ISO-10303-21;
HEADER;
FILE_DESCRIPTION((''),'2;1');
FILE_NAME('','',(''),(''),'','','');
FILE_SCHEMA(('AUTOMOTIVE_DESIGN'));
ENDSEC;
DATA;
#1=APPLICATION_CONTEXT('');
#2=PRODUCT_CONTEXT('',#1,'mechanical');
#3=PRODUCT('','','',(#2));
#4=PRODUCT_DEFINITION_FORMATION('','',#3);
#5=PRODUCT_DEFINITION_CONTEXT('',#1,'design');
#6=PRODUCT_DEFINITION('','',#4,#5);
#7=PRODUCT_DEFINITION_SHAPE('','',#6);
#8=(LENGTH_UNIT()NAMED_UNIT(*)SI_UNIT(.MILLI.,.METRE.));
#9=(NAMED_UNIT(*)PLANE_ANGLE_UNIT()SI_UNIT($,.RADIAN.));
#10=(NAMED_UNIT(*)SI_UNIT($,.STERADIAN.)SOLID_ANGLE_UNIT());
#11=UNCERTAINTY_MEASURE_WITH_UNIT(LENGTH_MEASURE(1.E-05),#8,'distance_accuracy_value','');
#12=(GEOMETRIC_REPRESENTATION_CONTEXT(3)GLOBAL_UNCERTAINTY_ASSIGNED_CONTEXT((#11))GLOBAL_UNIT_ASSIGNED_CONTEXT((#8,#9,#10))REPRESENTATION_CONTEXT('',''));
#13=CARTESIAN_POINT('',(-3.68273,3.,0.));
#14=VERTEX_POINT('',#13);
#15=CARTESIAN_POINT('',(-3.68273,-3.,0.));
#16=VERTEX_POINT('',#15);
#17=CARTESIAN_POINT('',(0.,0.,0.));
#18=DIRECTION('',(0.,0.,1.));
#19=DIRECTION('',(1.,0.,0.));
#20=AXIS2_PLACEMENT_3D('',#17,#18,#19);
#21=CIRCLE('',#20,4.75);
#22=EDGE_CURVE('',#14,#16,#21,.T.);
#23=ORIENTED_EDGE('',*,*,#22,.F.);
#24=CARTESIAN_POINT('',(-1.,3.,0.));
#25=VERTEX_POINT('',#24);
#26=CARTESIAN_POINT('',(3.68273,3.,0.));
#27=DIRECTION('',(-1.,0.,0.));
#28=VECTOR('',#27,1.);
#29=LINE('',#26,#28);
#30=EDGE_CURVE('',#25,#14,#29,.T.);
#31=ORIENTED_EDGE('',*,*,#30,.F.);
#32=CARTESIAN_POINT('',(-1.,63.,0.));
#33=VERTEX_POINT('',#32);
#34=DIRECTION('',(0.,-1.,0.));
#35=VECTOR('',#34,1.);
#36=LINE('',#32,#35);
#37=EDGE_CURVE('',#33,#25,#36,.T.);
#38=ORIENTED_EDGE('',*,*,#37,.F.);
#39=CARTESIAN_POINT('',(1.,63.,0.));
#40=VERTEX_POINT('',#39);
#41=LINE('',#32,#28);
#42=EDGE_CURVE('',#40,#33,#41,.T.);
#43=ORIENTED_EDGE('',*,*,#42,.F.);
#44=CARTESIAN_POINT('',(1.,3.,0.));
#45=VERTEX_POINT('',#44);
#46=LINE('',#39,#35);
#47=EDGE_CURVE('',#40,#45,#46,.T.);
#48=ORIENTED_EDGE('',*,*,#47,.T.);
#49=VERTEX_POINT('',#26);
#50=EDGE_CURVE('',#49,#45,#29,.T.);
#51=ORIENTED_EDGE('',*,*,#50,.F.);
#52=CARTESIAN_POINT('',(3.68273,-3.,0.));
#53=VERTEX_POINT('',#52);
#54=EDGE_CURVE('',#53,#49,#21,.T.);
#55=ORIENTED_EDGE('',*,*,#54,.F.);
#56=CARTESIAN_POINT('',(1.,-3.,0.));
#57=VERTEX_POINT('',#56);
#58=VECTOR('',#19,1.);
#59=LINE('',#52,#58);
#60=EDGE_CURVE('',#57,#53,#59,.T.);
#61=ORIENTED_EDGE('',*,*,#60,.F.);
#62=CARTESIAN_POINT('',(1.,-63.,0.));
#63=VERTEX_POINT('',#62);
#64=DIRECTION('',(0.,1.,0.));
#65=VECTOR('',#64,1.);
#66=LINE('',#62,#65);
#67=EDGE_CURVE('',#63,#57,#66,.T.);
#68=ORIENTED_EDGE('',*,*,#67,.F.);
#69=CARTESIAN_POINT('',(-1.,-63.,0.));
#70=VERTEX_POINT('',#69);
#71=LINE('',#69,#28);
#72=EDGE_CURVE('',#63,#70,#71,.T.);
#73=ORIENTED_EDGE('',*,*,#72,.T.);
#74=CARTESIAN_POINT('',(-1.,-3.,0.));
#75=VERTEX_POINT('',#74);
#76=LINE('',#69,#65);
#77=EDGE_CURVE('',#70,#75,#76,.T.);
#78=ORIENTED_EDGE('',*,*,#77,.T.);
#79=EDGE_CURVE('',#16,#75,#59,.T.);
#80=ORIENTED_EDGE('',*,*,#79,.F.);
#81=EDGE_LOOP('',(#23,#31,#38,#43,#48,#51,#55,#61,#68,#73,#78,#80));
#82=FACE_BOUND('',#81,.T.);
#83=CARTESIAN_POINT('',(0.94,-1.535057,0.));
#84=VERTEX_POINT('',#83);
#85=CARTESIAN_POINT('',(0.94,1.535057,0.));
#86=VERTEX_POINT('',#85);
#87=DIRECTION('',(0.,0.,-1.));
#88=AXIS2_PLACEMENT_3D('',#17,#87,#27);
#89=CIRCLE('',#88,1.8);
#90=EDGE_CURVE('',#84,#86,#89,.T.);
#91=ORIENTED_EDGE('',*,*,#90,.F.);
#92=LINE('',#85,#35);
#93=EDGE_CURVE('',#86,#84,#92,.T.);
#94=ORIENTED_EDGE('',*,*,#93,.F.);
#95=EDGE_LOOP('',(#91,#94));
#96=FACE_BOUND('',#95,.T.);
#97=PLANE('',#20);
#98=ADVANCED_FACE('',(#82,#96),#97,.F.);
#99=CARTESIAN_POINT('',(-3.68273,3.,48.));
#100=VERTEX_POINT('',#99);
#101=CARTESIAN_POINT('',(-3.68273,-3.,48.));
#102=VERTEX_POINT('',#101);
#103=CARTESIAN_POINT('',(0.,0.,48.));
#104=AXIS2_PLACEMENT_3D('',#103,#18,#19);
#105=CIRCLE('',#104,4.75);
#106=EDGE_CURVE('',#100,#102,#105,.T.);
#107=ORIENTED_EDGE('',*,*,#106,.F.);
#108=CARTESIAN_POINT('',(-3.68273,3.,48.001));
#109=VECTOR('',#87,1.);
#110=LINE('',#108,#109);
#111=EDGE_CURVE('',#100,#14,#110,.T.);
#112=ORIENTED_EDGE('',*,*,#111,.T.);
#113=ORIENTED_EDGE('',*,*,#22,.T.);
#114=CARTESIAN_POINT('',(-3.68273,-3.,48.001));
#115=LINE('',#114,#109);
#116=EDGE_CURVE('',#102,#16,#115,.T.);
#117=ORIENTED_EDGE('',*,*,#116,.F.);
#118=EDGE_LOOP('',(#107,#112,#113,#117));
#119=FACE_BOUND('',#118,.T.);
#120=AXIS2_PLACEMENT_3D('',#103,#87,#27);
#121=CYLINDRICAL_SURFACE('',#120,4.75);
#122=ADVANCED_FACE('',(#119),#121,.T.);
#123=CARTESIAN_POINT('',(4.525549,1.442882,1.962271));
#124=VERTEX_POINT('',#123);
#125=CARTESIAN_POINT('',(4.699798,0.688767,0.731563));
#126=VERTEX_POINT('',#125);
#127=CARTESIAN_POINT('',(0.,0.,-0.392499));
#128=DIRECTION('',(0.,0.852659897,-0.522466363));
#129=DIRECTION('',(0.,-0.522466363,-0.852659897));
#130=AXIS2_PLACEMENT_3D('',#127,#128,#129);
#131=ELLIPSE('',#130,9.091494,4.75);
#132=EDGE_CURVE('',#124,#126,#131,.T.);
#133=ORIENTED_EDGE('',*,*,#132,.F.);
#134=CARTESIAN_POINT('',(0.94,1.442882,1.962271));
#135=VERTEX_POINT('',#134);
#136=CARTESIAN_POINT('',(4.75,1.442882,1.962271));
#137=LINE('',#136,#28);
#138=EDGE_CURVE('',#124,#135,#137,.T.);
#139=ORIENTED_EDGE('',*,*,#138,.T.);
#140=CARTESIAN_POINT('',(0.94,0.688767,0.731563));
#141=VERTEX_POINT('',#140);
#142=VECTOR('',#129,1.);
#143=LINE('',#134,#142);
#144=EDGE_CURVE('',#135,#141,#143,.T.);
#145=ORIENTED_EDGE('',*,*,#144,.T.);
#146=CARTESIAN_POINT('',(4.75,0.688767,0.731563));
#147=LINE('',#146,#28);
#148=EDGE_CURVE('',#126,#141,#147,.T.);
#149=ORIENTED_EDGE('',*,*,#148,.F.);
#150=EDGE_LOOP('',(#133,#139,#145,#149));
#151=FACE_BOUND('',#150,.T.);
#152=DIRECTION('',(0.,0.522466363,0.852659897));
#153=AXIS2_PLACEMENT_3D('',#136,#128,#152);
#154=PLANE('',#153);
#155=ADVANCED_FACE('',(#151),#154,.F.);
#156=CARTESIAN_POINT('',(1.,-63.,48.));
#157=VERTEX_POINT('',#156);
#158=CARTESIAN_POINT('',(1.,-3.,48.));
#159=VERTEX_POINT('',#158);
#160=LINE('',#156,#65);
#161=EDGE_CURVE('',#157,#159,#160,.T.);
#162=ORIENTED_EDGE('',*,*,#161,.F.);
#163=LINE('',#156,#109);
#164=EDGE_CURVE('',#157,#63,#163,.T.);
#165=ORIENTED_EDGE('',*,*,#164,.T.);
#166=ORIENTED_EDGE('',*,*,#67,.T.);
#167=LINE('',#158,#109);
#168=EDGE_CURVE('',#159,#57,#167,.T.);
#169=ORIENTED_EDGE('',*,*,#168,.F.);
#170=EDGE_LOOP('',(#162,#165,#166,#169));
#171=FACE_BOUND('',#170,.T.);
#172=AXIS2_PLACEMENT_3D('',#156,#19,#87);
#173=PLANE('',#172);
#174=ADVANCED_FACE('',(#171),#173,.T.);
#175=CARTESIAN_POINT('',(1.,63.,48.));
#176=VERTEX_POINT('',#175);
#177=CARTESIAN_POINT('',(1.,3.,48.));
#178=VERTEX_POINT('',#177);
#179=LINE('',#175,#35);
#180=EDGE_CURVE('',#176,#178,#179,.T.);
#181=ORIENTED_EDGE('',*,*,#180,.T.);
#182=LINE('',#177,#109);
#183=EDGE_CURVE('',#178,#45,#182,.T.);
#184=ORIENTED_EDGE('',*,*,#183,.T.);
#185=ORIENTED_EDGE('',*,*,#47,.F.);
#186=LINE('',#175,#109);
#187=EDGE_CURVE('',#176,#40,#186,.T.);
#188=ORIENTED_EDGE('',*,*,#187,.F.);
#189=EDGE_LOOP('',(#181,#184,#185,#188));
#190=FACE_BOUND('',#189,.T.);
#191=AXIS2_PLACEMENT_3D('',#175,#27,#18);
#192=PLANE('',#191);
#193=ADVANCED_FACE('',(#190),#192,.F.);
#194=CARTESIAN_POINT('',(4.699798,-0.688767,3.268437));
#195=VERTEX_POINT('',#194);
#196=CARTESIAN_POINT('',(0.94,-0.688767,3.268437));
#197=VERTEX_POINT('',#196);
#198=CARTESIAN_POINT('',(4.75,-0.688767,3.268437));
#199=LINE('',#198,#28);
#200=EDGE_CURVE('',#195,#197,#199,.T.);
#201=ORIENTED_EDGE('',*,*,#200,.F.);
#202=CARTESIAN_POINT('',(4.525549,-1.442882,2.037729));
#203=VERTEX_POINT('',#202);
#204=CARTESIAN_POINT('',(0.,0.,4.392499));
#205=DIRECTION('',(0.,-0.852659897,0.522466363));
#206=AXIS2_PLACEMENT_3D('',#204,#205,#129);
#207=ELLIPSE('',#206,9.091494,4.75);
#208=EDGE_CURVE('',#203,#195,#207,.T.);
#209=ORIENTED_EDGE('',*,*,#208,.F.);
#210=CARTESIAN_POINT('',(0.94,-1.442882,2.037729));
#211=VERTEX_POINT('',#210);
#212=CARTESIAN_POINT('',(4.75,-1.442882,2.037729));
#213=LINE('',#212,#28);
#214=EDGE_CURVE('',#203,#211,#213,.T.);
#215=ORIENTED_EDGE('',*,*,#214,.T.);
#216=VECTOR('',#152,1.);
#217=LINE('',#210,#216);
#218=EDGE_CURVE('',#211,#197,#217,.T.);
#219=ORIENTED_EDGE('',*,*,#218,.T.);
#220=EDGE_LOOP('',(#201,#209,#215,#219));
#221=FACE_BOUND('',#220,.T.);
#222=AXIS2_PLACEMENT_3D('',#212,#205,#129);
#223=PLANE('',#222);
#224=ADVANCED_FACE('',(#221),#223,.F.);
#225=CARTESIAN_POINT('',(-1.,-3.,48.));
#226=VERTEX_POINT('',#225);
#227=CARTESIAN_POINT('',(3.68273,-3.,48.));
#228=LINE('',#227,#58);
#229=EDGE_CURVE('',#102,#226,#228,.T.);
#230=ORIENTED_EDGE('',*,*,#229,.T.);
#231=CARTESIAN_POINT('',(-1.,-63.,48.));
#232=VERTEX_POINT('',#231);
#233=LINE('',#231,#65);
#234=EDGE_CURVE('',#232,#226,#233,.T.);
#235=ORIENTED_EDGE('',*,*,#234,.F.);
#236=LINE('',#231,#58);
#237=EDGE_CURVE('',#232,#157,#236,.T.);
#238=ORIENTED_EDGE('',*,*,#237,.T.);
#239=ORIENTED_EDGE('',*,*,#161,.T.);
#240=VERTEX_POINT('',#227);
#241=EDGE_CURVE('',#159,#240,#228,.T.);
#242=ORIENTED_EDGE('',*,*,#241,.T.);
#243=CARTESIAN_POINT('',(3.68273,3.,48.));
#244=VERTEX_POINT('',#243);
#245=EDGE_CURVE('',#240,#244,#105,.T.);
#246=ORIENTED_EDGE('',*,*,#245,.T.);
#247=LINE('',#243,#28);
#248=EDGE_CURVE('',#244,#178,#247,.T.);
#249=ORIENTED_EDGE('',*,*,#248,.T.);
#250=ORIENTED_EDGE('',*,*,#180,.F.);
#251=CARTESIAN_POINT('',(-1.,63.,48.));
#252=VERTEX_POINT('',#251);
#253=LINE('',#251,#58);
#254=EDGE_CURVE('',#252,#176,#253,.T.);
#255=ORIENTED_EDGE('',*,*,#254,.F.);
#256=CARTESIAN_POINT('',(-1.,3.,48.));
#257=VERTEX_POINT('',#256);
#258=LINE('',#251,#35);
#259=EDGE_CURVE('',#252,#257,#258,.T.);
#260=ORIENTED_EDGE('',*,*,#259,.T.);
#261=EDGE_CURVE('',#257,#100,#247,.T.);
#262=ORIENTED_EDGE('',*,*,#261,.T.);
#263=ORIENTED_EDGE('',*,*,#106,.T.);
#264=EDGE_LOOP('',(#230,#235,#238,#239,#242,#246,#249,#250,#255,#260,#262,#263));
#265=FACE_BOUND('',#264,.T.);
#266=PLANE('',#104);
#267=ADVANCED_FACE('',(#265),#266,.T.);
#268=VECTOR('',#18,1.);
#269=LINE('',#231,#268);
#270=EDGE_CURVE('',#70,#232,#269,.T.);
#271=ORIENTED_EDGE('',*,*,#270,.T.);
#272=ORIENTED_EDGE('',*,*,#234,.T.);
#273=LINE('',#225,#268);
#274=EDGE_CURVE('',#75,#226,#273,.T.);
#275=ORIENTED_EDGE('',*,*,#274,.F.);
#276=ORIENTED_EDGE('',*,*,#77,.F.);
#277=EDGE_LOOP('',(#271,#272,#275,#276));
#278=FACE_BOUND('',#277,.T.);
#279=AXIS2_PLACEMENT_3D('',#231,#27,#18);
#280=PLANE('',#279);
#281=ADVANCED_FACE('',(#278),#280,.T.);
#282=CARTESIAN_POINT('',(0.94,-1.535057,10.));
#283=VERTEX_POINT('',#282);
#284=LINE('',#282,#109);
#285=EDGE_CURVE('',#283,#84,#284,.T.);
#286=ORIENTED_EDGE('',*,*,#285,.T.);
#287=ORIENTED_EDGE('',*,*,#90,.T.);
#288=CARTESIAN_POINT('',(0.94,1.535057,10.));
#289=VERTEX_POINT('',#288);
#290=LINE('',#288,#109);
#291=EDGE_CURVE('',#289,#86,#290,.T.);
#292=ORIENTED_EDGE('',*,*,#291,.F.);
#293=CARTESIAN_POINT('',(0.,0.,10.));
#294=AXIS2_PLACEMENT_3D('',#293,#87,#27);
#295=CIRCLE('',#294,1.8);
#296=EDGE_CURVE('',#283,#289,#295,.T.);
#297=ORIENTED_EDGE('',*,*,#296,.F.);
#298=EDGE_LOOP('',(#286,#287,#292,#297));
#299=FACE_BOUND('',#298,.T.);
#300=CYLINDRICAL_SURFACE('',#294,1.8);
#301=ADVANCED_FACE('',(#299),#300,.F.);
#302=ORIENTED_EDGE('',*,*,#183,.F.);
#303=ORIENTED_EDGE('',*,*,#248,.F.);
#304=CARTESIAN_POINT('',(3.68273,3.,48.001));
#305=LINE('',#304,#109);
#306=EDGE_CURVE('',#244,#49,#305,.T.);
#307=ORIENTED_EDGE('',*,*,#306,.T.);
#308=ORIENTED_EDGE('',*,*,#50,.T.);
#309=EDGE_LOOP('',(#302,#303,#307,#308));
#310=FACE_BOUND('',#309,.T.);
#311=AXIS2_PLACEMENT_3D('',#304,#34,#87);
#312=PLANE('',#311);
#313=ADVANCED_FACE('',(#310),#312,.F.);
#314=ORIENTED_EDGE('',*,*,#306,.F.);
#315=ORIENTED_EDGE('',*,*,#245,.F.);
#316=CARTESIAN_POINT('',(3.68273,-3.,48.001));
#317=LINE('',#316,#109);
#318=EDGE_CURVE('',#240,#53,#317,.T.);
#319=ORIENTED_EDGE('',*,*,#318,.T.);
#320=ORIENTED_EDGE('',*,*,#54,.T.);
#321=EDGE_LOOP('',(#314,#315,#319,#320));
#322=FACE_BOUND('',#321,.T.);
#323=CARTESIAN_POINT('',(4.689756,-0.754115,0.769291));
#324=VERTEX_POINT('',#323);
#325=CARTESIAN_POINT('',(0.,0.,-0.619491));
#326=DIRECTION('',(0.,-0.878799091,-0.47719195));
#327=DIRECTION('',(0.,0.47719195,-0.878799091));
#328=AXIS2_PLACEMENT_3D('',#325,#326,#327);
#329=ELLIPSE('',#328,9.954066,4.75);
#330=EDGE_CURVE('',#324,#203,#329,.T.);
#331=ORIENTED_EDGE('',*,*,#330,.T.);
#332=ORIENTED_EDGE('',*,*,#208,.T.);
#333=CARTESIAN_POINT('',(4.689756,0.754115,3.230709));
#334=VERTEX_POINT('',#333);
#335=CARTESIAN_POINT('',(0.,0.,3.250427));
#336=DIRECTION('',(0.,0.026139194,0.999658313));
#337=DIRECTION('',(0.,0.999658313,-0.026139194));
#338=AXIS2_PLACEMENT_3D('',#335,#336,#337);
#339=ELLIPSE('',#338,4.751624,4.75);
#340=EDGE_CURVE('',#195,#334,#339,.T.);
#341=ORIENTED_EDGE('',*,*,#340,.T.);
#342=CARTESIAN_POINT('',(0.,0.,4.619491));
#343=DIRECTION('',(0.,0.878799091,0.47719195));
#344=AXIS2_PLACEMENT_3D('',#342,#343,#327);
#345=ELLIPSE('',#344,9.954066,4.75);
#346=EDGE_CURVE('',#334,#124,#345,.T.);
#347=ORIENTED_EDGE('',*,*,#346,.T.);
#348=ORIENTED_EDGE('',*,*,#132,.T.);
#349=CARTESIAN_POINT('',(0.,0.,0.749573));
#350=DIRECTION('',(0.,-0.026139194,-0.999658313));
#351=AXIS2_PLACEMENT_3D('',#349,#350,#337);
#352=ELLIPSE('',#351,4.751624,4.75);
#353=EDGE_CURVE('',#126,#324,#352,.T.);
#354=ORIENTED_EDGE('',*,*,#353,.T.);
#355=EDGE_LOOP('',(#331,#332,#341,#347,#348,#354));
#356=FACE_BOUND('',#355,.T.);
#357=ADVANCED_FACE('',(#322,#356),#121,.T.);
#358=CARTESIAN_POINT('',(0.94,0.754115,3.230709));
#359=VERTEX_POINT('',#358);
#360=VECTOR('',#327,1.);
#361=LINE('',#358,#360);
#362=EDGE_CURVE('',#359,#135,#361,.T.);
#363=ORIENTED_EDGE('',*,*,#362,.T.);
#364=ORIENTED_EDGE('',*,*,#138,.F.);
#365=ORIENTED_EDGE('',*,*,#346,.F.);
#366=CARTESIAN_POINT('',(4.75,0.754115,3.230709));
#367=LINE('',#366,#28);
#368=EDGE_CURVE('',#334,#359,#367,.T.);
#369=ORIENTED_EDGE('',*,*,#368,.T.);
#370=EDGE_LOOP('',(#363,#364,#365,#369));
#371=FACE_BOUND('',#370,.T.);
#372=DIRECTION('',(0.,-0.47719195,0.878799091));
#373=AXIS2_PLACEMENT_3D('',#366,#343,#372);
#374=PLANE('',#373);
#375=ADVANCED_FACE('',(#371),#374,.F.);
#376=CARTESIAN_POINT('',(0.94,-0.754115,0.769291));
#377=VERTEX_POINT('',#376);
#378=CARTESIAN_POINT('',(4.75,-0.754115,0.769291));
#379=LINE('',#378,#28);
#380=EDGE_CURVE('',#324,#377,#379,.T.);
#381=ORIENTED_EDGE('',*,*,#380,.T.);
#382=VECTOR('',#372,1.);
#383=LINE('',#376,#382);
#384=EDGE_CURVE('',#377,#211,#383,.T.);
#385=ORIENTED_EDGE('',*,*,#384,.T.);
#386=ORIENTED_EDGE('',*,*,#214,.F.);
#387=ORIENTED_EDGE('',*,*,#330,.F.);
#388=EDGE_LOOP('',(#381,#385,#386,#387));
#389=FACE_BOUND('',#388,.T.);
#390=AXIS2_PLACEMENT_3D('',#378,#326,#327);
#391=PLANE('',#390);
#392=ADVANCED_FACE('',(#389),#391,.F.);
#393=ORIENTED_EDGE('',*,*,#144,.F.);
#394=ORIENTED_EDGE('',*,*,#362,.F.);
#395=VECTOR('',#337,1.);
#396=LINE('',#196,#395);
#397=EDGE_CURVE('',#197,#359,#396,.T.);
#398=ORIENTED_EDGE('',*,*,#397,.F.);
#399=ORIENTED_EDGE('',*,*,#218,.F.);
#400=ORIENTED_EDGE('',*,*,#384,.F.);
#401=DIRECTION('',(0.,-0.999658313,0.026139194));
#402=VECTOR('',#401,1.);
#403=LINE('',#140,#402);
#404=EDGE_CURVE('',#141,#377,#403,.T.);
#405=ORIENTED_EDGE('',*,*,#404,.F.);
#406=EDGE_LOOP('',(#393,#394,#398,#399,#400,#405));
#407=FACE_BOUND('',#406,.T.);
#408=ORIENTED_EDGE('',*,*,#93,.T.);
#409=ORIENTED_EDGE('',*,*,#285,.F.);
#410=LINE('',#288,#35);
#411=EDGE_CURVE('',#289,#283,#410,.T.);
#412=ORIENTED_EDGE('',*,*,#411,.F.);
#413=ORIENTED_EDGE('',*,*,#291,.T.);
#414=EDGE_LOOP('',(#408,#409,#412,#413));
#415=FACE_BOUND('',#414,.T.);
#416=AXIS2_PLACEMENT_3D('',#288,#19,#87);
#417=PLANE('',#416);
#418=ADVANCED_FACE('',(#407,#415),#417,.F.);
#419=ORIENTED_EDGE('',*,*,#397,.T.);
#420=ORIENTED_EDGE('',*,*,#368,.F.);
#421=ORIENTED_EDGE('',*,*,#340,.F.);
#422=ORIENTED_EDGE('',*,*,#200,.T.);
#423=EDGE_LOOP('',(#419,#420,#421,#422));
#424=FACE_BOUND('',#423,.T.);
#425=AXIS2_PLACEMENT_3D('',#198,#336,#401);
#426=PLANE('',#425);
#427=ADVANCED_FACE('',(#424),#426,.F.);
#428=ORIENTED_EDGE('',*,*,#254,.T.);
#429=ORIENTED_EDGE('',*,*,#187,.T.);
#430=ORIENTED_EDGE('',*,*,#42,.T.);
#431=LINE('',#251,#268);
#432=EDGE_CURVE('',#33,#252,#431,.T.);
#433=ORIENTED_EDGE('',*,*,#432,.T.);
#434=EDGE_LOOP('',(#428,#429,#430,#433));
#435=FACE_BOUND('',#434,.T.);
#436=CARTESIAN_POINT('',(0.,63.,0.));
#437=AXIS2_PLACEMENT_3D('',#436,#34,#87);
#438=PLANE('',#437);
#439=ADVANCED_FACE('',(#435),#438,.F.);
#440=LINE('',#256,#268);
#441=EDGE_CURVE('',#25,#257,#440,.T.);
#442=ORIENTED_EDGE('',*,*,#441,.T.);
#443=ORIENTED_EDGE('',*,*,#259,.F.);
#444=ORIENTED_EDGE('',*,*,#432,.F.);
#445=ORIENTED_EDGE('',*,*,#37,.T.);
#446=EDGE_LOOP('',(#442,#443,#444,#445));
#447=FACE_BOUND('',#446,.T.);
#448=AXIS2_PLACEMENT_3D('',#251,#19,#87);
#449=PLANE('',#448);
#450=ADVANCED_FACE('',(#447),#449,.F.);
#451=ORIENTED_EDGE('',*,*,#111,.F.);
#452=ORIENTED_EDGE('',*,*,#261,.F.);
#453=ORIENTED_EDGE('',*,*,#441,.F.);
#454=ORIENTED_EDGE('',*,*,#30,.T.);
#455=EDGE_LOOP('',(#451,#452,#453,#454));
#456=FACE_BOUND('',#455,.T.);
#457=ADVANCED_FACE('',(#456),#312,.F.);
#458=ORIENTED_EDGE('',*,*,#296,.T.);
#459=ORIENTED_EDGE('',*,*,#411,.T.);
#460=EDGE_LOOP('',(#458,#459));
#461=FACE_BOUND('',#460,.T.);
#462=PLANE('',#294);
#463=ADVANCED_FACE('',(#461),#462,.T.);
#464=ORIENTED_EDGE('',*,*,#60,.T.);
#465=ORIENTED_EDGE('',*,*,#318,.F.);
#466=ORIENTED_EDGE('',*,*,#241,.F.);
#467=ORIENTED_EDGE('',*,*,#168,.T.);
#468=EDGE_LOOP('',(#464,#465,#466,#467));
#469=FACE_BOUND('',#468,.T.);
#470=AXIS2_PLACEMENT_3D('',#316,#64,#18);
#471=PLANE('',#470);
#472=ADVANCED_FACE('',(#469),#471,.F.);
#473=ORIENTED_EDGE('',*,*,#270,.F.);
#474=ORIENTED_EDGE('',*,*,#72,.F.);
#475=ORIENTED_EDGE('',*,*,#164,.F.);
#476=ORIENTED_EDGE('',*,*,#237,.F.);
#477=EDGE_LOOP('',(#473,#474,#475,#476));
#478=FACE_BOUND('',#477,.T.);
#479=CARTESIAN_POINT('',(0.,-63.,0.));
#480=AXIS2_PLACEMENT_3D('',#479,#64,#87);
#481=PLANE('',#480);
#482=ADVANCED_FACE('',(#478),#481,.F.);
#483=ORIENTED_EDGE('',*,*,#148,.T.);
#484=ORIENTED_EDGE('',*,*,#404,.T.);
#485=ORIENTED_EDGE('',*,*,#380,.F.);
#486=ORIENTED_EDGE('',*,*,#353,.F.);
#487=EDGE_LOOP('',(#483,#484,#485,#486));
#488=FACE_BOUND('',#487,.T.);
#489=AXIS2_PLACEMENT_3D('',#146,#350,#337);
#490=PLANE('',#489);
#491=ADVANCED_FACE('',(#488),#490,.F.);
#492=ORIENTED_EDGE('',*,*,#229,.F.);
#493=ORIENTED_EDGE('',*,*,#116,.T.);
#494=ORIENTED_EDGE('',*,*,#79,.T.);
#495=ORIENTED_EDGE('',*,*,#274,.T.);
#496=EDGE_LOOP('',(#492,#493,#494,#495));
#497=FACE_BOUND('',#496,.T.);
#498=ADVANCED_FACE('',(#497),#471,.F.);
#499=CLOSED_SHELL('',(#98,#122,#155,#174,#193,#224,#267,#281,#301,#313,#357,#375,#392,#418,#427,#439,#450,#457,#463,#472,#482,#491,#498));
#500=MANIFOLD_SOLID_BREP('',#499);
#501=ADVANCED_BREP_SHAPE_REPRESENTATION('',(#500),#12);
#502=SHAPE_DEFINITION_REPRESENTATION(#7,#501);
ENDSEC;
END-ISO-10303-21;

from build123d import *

# Parameters (mm, degrees)
SKETCH1_R           = 4.75
BOSS_EXTRUDE1_DEPTH = 48
CUT_EXTRUDE1_DEPTH  = 10
CUT_EXTRUDE2_DEPTH  = 49.568905691
CUT_EXTRUDE3_REACH  = 50.468
SKETCH5_W           = 2
SKETCH5_H           = 48
BOSS_EXTRUDE2_DEPTH = 60


with BuildPart() as part:
    # Sketch1 → Boss-Extrude1 (new body)
    with BuildSketch(Plane.XY):
        Circle(SKETCH1_R)
    extrude(amount=BOSS_EXTRUDE1_DEPTH)

    # Sketch2 → Cut-Extrude1 (cut)
    with BuildSketch(Plane(origin=(0, 0, 0), x_dir=(-1, 0, 0), z_dir=(0, 0, -1))):
        with BuildLine():
            Line((-0.94, 1.535057002), (-0.94, -1.535057002))
            ThreePointArc((-0.94, -1.535057002), (1.8, 0), (-0.94, 1.535057002))
        make_face()
    extrude(amount=-CUT_EXTRUDE1_DEPTH, mode=Mode.SUBTRACT)

    # Sketch3 → Cut-Extrude2 (cut, through all)
    with BuildSketch(Plane.ZY.offset(-0.94)):
        Polygon((3.230708553, 0.754115238), (1.962271323, 1.44288249), (0.73156277, 0.688767252), (0.769291447, -0.754115238), (2.037728677, -1.44288249), (3.26843723, -0.688767252), align=None)
    extrude(amount=-CUT_EXTRUDE2_DEPTH, mode=Mode.SUBTRACT)

    # Sketch4 → Cut-Extrude3 (cut, up to next)
    with BuildSketch(Plane(origin=(0, 0, 0), x_dir=(-1, 0, 0), z_dir=(0, 0, -1)), mode=Mode.PRIVATE) as cut_extrude3_sk1:
        with BuildLine():
            Line((-3.682729966, 3), (3.682729966, 3))
            ThreePointArc((3.682729966, 3), (0, 4.75), (-3.682729966, 3))
        make_face()
    cut_extrude3_tool1 = extrude(cut_extrude3_sk1.sketch, amount=-CUT_EXTRUDE3_REACH, mode=Mode.PRIVATE) & part.part
    # Sketch4 → Cut-Extrude3 (cut, up to next)
    with BuildSketch(Plane(origin=(0, 0, 0), x_dir=(-1, 0, 0), z_dir=(0, 0, -1)), mode=Mode.PRIVATE) as cut_extrude3_sk2:
        with BuildLine():
            Line((-3.682729966, -3), (3.682729966, -3))
            ThreePointArc((3.682729966, -3), (0, -4.75), (-3.682729966, -3))
        make_face()
    cut_extrude3_tool2 = extrude(cut_extrude3_sk2.sketch, amount=-CUT_EXTRUDE3_REACH, mode=Mode.PRIVATE) & part.part
    add(cut_extrude3_tool1.solids().sort_by_distance((0, 3.712383, 0))[0], mode=Mode.SUBTRACT)
    add(cut_extrude3_tool2.solids().sort_by_distance((0, -3.712383, 0))[0], mode=Mode.SUBTRACT)

    # Sketch5 → Boss-Extrude2 (add)
    with BuildSketch(Plane(origin=(0, 3, 0), x_dir=(1, 0, 0), z_dir=(0, 1, 0))):
        with Locations((0, -24)):
            Rectangle(SKETCH5_W, SKETCH5_H)
    boss_extrude2 = extrude(amount=BOSS_EXTRUDE2_DEPTH)

    # Mirror2: Boss-Extrude2 across plane
    add(boss_extrude2.mirror(Plane.ZX))


solid = part.part
